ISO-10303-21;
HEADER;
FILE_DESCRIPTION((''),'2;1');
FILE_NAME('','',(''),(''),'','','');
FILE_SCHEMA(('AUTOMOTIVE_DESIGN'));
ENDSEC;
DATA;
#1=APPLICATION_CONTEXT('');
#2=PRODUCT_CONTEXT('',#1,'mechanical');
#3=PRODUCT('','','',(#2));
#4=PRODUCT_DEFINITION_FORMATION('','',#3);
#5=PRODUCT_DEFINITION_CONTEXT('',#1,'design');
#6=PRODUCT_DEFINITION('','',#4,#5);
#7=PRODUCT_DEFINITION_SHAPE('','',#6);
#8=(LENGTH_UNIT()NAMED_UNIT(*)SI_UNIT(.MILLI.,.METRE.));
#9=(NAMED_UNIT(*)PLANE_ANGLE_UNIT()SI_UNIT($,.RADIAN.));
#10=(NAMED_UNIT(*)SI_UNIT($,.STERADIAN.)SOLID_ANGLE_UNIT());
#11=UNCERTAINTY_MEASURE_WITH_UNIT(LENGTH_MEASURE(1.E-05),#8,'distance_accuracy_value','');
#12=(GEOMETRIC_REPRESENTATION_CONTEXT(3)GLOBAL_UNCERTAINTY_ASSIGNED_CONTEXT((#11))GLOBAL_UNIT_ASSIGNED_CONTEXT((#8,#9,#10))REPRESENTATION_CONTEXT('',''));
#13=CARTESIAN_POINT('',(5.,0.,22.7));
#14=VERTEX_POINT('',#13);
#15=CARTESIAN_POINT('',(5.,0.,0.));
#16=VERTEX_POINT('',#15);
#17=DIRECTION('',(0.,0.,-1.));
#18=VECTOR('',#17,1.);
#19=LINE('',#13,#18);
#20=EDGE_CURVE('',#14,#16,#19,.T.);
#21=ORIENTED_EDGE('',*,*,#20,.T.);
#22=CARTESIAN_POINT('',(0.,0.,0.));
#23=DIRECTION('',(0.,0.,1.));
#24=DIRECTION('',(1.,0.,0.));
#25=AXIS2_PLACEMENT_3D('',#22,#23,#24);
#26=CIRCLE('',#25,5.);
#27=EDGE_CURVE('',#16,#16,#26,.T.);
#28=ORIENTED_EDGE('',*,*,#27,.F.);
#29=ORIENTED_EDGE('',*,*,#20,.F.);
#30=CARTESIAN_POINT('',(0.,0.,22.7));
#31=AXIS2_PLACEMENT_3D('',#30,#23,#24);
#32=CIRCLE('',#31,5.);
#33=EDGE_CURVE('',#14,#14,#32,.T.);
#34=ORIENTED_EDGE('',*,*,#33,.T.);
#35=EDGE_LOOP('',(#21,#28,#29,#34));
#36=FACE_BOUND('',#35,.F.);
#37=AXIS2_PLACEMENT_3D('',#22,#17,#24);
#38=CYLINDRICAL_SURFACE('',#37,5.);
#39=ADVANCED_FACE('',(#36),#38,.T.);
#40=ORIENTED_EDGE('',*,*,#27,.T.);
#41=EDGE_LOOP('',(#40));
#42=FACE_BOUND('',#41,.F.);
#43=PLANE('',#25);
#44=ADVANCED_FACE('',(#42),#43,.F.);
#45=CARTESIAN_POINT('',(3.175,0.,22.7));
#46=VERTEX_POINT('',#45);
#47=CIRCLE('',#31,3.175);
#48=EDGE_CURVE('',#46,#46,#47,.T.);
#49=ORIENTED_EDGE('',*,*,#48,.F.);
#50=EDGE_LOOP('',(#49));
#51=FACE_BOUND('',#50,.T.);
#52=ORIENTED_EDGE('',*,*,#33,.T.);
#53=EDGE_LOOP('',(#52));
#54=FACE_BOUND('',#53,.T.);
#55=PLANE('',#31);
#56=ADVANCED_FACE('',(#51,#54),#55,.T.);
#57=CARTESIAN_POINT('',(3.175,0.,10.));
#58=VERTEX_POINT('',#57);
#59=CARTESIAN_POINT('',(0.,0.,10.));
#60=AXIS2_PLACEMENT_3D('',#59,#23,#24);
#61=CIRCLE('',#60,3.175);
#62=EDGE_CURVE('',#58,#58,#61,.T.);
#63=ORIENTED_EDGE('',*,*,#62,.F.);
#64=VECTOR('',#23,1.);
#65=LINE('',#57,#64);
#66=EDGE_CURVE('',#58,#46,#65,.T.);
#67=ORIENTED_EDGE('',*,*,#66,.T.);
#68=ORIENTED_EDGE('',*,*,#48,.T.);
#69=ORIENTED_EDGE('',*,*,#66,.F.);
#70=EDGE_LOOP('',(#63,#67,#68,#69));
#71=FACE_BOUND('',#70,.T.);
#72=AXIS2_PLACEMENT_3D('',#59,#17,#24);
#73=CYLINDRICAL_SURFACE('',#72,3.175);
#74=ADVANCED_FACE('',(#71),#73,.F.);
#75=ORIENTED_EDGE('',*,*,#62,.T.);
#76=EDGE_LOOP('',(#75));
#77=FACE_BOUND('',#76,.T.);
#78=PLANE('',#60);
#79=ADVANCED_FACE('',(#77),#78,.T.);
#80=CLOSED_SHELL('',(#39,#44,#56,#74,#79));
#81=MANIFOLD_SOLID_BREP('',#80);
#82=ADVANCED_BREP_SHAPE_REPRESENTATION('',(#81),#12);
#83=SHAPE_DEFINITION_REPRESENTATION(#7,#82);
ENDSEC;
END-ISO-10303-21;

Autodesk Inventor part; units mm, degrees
ref_plane "YZ Plane" through (0, 0, 0) normal (1, 0, 0) x (0, 1, 0)
ref_plane "XZ Plane" through (0, 0, 0) normal (0, 1, 0) x (-1, 0, 0)
ref_plane "XY Plane" through (0, 0, 0) normal (0, 0, 1) x (1, 0, 0)
sketch "Sketch1" plane through (0, 0, 0) normal (0, 0, 1) x (1, 0, 0)
  circle A0 centre (0, 0) radius 5
  dimension "d0" = 10
extrude "Extrusion1" add sketch "Sketch1" along normal blind 10
sketch "Sketch2" plane through (0, 0, 10) normal (0, 0, 1) x (1, 0, 0)
  point P0 (0, 0)
sketch "Sketch3" plane through (0, 0, 10) normal (0, 0, 1) x (1, 0, 0)
  circle A0 centre (0, 0) radius 3.175
  circle A1 centre (0, 0) radius 5
  dimension "d3" = 6.35
extrude "Extrusion2" add sketch "Sketch3" along normal blind 12.7
thread "Thread1" size "1/4-20 UNC" class "2B" standard "ANSI Unified Screw Threads" full length
properties part number "Pedal Female"
